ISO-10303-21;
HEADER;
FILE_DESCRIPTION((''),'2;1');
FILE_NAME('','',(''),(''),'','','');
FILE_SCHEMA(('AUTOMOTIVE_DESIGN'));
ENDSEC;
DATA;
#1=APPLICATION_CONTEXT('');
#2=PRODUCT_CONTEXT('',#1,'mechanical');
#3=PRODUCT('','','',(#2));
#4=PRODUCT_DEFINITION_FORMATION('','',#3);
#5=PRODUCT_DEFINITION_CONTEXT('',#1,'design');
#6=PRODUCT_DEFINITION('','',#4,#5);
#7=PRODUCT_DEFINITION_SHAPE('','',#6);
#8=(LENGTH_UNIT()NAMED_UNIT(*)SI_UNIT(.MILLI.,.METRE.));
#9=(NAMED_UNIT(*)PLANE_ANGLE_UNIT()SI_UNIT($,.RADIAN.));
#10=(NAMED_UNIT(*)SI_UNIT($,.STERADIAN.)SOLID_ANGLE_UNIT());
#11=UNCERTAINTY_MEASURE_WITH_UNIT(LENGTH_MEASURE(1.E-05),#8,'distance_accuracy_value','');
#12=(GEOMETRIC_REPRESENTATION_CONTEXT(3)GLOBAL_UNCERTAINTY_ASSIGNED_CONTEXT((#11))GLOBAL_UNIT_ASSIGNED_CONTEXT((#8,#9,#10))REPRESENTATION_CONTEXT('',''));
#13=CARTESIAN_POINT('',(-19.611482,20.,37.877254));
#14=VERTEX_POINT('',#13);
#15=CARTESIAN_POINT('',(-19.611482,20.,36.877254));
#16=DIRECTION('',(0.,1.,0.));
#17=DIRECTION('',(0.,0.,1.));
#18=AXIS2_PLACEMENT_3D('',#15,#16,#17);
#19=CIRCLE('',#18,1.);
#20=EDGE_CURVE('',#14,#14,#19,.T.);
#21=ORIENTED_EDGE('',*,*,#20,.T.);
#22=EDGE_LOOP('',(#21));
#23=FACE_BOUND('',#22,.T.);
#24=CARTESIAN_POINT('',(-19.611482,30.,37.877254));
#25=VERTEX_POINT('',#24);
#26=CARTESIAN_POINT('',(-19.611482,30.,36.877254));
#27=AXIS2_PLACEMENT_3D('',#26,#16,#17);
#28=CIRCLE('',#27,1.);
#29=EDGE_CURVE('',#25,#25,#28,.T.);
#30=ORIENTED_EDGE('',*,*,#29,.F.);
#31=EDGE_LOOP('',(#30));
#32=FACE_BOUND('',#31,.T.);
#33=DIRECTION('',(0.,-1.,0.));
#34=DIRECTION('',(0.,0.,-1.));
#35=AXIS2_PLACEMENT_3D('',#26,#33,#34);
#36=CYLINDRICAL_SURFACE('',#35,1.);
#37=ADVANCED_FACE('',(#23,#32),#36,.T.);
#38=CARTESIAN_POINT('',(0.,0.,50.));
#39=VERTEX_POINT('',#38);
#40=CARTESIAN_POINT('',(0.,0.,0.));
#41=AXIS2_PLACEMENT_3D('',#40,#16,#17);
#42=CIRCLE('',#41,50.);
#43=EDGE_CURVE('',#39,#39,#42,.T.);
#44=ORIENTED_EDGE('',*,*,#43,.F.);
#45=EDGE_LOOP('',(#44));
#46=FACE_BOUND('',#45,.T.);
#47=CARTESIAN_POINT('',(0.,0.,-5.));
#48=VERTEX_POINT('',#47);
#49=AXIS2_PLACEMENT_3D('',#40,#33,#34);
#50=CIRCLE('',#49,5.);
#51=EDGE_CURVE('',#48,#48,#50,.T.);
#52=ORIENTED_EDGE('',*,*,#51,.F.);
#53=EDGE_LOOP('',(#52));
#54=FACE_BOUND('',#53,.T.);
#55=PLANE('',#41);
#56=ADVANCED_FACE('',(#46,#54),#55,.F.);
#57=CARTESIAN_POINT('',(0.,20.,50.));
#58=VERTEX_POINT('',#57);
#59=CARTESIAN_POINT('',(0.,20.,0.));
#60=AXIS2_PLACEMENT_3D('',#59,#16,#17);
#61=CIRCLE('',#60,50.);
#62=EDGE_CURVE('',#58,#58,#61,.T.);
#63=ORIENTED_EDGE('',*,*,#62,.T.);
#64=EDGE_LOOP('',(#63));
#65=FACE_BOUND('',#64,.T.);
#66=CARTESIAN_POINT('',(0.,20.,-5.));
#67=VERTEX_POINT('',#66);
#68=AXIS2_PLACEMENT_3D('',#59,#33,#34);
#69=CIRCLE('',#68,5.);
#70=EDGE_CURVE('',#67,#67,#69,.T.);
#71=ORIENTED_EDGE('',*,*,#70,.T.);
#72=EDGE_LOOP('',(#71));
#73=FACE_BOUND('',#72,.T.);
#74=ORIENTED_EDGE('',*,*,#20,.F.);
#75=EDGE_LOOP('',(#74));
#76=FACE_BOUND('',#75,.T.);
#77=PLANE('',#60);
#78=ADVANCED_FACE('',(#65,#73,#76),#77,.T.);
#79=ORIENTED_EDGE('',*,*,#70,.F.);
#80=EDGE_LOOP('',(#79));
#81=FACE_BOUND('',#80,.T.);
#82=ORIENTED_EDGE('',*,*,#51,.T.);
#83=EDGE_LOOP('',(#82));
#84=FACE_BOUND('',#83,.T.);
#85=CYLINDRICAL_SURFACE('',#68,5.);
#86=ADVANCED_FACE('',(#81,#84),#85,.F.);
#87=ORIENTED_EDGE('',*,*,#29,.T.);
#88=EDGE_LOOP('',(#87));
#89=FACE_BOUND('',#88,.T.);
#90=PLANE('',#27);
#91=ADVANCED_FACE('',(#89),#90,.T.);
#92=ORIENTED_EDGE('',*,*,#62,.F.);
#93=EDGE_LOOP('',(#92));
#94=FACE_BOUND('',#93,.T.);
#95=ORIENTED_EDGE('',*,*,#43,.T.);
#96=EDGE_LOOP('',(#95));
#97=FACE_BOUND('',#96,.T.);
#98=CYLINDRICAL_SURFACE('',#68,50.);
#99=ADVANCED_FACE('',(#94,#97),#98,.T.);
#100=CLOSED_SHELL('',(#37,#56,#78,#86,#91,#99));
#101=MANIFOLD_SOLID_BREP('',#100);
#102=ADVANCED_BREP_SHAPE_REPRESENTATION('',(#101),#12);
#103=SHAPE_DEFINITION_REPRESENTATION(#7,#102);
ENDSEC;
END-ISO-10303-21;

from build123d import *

# Parameters (mm, degrees)
SKETCH1_R           = 50
BOSS_EXTRUDE1_DEPTH = 20
SKETCH4_R           = 5
CUT_EXTRUDE2_DEPTH  = 20
SKETCH5_R           = 1
BOSS_EXTRUDE2_DEPTH = 10


with BuildPart() as part:
    # Sketch1 → Boss-Extrude1 (new body)
    with BuildSketch(Plane(origin=(0, 0, 0), x_dir=(1, 0, 0), z_dir=(0, 1, 0))):
        with Locations(Location((0, 0, 0), (0, 0, 270))):
            Circle(SKETCH1_R)
    extrude(amount=BOSS_EXTRUDE1_DEPTH)

    # Sketch4 → Cut-Extrude2 (cut)
    with BuildSketch(Plane.XZ):
        with Locations(Location((0, 0, 0), (0, 0, 270))):
            Circle(SKETCH4_R)
    extrude(amount=-CUT_EXTRUDE2_DEPTH, mode=Mode.SUBTRACT)

    # Sketch5 → Boss-Extrude2 (add)
    with BuildSketch(Plane(origin=(0, 20, 0), x_dir=(1, 0, 0), z_dir=(0, 1, 0))):
        with Locations(Location((-19.611481927, -36.877253926, 0), (0, 0, 270))):
            Circle(SKETCH5_R)
    extrude(amount=BOSS_EXTRUDE2_DEPTH)


solid = part.part
